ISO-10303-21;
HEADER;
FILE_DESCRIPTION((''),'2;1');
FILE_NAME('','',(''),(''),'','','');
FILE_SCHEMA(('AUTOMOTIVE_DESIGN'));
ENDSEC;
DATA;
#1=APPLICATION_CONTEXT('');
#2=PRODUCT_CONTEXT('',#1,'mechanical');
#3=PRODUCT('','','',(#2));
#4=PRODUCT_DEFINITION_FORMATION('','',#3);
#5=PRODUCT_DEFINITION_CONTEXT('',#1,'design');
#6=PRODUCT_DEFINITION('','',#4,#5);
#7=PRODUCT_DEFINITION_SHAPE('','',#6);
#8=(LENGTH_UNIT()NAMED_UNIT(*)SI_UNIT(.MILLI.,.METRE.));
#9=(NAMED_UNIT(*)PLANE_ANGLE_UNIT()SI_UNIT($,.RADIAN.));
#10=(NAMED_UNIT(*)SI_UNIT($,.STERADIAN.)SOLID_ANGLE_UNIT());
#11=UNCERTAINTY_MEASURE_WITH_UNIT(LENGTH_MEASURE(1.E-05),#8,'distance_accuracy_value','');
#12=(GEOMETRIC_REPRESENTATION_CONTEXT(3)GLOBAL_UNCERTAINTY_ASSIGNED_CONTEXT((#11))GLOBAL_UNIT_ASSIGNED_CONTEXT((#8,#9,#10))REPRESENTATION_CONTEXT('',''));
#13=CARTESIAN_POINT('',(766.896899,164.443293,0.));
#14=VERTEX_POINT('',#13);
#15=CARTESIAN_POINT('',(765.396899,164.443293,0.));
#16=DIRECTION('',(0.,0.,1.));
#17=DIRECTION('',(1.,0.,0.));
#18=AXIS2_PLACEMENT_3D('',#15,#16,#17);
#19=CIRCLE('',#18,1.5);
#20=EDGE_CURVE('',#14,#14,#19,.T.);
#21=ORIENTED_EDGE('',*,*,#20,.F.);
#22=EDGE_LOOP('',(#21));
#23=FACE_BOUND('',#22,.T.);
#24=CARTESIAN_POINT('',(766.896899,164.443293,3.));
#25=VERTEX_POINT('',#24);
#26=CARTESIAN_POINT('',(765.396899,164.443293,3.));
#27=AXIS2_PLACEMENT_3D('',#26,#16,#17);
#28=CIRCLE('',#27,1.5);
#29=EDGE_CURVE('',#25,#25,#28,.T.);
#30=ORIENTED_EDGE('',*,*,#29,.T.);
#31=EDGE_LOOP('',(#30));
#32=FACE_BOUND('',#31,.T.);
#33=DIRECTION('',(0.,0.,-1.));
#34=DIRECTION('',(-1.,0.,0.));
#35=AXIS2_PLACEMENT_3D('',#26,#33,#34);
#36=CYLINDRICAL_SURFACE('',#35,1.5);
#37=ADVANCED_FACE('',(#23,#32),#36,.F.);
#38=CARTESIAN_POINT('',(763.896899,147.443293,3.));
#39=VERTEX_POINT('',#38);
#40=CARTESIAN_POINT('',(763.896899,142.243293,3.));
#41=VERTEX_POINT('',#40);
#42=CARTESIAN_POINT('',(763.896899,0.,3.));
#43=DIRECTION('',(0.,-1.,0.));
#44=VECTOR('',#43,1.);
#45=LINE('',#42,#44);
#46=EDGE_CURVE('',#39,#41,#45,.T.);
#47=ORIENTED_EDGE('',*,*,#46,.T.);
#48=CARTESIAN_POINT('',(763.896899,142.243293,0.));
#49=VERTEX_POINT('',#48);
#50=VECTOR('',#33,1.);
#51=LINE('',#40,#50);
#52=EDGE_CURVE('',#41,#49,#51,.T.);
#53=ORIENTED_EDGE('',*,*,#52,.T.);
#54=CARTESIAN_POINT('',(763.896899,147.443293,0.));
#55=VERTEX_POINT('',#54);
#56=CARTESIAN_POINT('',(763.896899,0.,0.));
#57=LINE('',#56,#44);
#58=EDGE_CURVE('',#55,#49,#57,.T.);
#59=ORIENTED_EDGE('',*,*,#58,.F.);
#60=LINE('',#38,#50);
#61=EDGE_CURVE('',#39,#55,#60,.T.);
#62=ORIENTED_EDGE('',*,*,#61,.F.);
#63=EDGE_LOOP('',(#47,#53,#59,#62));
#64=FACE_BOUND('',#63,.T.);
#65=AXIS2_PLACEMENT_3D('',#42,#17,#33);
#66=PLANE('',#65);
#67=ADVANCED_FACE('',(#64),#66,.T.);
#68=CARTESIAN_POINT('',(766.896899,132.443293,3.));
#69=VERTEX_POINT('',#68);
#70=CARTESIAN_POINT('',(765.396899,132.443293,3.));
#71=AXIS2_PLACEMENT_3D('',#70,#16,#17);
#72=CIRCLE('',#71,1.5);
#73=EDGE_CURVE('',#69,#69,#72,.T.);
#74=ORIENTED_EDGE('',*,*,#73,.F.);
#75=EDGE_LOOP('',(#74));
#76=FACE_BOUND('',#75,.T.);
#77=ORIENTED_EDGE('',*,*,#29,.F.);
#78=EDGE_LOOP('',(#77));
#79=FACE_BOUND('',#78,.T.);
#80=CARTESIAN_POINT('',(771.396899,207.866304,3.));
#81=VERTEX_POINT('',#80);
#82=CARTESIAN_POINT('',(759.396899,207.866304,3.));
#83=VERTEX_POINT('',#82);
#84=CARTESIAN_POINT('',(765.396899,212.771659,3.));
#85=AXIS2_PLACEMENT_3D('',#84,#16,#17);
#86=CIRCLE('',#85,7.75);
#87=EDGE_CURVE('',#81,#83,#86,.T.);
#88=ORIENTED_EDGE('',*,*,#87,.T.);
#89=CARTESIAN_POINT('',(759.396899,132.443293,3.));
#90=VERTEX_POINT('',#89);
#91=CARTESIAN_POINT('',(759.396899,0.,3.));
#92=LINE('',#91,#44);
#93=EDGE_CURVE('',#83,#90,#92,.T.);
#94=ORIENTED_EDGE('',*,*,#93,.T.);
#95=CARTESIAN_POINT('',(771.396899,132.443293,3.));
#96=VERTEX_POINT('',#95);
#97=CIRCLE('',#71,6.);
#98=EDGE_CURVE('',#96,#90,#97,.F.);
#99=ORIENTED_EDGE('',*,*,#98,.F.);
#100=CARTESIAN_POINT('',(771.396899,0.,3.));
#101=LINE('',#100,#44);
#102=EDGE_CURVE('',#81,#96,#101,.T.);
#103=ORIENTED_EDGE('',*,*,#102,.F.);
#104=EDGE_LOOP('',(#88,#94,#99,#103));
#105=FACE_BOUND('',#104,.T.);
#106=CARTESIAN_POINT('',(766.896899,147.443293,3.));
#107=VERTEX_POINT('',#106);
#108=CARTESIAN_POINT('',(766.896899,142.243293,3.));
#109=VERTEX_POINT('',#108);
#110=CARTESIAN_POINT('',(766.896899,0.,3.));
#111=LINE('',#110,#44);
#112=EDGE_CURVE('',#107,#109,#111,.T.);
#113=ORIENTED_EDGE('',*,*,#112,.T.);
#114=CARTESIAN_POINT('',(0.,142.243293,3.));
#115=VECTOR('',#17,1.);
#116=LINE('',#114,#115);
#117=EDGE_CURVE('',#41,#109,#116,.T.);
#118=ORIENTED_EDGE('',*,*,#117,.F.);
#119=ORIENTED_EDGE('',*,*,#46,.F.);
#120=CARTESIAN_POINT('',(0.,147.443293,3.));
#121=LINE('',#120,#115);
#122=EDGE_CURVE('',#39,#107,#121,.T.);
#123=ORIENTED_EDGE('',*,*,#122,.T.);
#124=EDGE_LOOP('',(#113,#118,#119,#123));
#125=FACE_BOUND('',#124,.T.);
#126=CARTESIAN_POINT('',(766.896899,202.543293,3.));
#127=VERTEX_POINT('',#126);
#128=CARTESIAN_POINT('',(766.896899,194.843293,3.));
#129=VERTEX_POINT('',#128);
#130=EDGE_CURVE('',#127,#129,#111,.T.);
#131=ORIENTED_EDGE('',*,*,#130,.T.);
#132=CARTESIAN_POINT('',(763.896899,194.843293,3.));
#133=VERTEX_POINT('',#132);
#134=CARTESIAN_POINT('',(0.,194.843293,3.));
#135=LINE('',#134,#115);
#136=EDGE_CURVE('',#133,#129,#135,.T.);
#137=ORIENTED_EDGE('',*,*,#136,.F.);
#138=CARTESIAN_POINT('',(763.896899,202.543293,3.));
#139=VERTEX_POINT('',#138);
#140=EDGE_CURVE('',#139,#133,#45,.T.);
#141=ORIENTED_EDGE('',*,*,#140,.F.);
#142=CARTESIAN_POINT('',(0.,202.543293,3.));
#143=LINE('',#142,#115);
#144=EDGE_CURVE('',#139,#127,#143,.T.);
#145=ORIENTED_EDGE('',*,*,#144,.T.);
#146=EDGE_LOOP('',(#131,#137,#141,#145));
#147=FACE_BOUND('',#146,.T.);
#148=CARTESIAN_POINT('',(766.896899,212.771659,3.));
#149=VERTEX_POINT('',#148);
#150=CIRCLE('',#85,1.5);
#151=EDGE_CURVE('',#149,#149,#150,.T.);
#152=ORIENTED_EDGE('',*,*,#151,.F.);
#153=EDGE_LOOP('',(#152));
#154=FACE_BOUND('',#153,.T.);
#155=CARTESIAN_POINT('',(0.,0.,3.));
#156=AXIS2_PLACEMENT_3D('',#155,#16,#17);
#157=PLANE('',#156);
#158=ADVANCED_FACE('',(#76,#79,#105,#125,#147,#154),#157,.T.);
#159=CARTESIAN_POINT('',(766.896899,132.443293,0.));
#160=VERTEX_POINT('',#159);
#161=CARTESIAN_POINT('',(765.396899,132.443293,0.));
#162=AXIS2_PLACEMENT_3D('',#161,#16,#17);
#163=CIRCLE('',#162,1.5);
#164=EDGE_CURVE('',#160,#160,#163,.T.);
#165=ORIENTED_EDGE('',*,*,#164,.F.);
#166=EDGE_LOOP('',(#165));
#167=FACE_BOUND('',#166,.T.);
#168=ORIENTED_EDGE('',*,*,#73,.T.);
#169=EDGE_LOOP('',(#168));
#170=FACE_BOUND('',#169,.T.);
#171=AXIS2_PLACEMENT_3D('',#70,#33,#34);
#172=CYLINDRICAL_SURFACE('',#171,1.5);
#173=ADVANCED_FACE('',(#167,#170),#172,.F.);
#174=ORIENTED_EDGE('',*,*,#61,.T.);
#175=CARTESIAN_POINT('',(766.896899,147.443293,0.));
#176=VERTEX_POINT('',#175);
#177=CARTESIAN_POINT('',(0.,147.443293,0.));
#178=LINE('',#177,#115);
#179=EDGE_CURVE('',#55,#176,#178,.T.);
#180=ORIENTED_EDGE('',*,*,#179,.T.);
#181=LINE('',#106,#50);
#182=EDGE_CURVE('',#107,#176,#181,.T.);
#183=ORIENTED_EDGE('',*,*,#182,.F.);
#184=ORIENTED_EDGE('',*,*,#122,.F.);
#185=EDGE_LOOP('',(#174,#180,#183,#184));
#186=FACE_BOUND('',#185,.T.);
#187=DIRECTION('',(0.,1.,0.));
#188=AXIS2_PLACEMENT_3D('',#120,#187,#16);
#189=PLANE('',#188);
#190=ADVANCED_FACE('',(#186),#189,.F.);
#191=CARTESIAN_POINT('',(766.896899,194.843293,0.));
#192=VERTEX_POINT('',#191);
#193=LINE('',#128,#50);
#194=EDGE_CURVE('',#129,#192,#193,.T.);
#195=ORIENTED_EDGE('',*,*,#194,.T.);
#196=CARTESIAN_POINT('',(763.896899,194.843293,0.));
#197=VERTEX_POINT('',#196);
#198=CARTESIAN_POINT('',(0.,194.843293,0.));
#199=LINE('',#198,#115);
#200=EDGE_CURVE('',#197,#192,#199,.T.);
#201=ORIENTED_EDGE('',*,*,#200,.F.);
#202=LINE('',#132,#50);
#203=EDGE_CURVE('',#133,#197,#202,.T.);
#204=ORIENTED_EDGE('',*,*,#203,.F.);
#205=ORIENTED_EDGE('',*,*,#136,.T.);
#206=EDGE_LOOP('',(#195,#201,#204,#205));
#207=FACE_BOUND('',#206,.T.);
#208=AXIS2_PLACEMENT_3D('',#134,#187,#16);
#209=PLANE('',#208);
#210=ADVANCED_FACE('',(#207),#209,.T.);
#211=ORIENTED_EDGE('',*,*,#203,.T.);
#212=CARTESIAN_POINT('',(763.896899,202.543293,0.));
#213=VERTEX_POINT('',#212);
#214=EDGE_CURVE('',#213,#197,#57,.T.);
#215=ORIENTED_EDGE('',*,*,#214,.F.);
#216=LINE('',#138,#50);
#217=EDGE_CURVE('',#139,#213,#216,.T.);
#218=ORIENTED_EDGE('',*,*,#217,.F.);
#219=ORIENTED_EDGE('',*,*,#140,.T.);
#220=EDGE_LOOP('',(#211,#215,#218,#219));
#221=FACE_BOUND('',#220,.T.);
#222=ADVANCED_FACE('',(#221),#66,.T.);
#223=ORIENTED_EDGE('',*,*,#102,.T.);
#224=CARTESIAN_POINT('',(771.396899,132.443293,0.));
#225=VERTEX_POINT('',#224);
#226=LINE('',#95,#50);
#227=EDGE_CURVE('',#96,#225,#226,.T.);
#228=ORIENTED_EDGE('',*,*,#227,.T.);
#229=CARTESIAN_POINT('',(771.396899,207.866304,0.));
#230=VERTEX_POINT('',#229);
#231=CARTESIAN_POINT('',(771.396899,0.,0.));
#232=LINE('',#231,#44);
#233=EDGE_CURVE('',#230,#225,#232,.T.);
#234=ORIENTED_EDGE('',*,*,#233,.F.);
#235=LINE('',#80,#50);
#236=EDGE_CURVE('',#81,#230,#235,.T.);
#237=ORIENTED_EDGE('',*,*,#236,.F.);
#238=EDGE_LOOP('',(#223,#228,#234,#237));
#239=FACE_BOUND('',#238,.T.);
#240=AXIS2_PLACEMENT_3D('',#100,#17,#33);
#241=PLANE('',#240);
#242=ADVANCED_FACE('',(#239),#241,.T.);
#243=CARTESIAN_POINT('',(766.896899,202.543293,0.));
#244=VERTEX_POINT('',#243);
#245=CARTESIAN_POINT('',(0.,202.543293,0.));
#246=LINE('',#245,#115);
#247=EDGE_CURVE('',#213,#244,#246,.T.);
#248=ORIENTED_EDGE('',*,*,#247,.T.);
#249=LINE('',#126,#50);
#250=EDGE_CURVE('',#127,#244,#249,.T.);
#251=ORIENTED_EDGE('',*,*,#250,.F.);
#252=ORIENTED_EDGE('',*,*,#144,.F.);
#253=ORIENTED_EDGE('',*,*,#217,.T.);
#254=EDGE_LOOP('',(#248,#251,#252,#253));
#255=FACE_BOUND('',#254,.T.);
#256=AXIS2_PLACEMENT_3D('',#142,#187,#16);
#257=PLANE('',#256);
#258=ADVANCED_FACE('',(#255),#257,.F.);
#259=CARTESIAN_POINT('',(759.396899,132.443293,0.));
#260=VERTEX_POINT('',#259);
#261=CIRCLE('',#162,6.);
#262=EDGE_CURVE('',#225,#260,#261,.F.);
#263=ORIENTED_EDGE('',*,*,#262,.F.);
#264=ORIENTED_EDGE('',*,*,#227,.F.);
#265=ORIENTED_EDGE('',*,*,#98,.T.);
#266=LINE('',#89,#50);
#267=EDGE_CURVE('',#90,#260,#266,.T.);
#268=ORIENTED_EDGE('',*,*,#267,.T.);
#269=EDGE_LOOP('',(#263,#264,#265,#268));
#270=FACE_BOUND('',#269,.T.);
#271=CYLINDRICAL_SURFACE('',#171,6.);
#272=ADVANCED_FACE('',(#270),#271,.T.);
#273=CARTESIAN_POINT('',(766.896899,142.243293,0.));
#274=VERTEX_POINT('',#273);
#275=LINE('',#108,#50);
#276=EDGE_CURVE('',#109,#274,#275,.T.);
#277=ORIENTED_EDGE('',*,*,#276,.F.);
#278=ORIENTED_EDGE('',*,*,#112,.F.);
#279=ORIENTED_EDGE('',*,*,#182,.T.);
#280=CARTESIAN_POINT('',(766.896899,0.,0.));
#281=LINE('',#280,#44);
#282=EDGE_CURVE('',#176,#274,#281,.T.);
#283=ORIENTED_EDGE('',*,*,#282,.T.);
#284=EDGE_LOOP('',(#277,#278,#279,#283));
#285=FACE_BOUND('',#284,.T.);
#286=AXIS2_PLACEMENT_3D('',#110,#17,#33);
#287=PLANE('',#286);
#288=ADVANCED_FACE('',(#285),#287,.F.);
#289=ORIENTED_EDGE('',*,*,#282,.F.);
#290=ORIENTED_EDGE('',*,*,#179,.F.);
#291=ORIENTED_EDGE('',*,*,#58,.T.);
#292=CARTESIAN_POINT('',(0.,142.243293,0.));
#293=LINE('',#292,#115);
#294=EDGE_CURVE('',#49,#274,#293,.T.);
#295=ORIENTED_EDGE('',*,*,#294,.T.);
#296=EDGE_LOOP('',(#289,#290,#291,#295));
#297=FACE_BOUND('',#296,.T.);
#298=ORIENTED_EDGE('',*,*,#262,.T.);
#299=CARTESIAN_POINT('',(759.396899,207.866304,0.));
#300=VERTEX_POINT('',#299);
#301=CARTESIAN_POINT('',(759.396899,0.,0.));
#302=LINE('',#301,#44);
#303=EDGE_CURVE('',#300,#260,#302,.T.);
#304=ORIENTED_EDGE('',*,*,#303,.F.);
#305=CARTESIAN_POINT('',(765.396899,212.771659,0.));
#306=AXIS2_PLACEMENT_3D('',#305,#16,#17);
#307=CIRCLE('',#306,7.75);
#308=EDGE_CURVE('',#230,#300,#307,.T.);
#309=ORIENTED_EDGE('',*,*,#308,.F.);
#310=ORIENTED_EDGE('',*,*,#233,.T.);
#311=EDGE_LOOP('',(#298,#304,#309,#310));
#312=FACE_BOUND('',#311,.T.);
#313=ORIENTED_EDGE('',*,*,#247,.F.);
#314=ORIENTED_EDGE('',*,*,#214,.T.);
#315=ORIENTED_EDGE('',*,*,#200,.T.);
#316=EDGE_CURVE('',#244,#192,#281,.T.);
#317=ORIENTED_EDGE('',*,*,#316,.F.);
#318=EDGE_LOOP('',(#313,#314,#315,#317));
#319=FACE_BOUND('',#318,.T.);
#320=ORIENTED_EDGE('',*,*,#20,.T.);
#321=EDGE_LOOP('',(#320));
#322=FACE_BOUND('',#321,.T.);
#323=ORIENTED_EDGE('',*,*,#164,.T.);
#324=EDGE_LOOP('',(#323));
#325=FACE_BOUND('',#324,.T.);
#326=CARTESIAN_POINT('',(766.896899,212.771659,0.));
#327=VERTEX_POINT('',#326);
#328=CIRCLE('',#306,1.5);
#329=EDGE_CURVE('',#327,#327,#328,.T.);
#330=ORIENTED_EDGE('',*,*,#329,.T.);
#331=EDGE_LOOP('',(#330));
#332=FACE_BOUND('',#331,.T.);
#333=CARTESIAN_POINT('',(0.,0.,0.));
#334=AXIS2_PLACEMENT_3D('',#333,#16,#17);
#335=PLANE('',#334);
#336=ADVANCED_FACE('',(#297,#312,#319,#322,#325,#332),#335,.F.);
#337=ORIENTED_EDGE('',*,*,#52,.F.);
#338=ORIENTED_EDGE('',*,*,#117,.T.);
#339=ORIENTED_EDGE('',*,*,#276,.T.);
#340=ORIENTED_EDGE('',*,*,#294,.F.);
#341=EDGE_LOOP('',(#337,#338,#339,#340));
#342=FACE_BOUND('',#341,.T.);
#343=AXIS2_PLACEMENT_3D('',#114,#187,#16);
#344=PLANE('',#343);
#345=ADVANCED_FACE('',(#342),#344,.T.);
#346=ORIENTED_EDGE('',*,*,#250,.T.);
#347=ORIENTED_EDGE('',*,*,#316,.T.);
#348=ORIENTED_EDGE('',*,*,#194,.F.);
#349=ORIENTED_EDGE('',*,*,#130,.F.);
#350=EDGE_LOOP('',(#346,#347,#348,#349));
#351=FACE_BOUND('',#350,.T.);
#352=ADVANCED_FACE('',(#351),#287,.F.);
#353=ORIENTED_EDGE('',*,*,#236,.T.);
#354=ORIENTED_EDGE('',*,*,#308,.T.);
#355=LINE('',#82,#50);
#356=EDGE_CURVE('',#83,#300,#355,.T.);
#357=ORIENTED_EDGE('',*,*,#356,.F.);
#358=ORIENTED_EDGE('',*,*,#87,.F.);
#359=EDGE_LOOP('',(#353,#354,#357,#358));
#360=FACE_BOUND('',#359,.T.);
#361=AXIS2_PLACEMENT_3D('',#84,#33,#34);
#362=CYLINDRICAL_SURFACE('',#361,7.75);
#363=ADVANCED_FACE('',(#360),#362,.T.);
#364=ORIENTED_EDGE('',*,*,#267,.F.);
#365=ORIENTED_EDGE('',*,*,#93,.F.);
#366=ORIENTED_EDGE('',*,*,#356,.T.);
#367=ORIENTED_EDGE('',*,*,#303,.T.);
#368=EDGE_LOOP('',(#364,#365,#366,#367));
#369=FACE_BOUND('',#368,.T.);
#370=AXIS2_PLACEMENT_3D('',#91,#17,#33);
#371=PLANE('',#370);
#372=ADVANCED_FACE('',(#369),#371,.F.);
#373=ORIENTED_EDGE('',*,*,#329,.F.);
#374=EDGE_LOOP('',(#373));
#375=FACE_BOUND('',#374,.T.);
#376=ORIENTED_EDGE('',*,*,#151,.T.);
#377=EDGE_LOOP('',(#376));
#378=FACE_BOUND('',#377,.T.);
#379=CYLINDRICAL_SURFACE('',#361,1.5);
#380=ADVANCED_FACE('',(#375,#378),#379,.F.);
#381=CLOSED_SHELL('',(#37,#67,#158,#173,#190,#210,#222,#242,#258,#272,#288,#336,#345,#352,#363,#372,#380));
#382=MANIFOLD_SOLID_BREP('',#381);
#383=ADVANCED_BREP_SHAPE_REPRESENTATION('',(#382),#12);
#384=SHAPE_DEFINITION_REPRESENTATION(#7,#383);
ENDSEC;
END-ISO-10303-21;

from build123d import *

# Parameters (mm, degrees)
ESQUISSE1_W        = 3
ESQUISSE1_H        = 5.2
ESQUISSE1_R        = 1.5
ESQUISSE1_H_2      = 7.7
BOSS_EXTRU_1_DEPTH = 3


with BuildPart() as part:
    # Esquisse1 → Boss.-Extru.1 (new body)
    with BuildSketch(Plane.XY):
        with BuildLine():
            ThreePointArc((771.396898563, 207.86630439), (765.396898563, 220.521658607), (759.396898563, 207.86630439))
            Line((759.396898563, 207.86630439), (759.396898563, 132.443292949))
            ThreePointArc((759.396898563, 132.443292949), (765.396898563, 126.443292949), (771.396898563, 132.443292949))
            Line((771.396898563, 132.443292949), (771.396898563, 207.86630439))
        make_face()
        with Locations((765.396898563, 144.843292949)):
            Rectangle(ESQUISSE1_W, ESQUISSE1_H, mode=Mode.SUBTRACT)
        with Locations((765.396898563, 132.443292949)):
            Circle(ESQUISSE1_R, mode=Mode.SUBTRACT)
        with Locations((765.396898563, 164.443292949)):
            Circle(ESQUISSE1_R, mode=Mode.SUBTRACT)
        with Locations((765.396898563, 198.693292949)):
            Rectangle(ESQUISSE1_W, ESQUISSE1_H_2, mode=Mode.SUBTRACT)
        with Locations((765.396898563, 212.771658607)):
            Circle(ESQUISSE1_R, mode=Mode.SUBTRACT)
    extrude(amount=BOSS_EXTRU_1_DEPTH)


solid = part.part
